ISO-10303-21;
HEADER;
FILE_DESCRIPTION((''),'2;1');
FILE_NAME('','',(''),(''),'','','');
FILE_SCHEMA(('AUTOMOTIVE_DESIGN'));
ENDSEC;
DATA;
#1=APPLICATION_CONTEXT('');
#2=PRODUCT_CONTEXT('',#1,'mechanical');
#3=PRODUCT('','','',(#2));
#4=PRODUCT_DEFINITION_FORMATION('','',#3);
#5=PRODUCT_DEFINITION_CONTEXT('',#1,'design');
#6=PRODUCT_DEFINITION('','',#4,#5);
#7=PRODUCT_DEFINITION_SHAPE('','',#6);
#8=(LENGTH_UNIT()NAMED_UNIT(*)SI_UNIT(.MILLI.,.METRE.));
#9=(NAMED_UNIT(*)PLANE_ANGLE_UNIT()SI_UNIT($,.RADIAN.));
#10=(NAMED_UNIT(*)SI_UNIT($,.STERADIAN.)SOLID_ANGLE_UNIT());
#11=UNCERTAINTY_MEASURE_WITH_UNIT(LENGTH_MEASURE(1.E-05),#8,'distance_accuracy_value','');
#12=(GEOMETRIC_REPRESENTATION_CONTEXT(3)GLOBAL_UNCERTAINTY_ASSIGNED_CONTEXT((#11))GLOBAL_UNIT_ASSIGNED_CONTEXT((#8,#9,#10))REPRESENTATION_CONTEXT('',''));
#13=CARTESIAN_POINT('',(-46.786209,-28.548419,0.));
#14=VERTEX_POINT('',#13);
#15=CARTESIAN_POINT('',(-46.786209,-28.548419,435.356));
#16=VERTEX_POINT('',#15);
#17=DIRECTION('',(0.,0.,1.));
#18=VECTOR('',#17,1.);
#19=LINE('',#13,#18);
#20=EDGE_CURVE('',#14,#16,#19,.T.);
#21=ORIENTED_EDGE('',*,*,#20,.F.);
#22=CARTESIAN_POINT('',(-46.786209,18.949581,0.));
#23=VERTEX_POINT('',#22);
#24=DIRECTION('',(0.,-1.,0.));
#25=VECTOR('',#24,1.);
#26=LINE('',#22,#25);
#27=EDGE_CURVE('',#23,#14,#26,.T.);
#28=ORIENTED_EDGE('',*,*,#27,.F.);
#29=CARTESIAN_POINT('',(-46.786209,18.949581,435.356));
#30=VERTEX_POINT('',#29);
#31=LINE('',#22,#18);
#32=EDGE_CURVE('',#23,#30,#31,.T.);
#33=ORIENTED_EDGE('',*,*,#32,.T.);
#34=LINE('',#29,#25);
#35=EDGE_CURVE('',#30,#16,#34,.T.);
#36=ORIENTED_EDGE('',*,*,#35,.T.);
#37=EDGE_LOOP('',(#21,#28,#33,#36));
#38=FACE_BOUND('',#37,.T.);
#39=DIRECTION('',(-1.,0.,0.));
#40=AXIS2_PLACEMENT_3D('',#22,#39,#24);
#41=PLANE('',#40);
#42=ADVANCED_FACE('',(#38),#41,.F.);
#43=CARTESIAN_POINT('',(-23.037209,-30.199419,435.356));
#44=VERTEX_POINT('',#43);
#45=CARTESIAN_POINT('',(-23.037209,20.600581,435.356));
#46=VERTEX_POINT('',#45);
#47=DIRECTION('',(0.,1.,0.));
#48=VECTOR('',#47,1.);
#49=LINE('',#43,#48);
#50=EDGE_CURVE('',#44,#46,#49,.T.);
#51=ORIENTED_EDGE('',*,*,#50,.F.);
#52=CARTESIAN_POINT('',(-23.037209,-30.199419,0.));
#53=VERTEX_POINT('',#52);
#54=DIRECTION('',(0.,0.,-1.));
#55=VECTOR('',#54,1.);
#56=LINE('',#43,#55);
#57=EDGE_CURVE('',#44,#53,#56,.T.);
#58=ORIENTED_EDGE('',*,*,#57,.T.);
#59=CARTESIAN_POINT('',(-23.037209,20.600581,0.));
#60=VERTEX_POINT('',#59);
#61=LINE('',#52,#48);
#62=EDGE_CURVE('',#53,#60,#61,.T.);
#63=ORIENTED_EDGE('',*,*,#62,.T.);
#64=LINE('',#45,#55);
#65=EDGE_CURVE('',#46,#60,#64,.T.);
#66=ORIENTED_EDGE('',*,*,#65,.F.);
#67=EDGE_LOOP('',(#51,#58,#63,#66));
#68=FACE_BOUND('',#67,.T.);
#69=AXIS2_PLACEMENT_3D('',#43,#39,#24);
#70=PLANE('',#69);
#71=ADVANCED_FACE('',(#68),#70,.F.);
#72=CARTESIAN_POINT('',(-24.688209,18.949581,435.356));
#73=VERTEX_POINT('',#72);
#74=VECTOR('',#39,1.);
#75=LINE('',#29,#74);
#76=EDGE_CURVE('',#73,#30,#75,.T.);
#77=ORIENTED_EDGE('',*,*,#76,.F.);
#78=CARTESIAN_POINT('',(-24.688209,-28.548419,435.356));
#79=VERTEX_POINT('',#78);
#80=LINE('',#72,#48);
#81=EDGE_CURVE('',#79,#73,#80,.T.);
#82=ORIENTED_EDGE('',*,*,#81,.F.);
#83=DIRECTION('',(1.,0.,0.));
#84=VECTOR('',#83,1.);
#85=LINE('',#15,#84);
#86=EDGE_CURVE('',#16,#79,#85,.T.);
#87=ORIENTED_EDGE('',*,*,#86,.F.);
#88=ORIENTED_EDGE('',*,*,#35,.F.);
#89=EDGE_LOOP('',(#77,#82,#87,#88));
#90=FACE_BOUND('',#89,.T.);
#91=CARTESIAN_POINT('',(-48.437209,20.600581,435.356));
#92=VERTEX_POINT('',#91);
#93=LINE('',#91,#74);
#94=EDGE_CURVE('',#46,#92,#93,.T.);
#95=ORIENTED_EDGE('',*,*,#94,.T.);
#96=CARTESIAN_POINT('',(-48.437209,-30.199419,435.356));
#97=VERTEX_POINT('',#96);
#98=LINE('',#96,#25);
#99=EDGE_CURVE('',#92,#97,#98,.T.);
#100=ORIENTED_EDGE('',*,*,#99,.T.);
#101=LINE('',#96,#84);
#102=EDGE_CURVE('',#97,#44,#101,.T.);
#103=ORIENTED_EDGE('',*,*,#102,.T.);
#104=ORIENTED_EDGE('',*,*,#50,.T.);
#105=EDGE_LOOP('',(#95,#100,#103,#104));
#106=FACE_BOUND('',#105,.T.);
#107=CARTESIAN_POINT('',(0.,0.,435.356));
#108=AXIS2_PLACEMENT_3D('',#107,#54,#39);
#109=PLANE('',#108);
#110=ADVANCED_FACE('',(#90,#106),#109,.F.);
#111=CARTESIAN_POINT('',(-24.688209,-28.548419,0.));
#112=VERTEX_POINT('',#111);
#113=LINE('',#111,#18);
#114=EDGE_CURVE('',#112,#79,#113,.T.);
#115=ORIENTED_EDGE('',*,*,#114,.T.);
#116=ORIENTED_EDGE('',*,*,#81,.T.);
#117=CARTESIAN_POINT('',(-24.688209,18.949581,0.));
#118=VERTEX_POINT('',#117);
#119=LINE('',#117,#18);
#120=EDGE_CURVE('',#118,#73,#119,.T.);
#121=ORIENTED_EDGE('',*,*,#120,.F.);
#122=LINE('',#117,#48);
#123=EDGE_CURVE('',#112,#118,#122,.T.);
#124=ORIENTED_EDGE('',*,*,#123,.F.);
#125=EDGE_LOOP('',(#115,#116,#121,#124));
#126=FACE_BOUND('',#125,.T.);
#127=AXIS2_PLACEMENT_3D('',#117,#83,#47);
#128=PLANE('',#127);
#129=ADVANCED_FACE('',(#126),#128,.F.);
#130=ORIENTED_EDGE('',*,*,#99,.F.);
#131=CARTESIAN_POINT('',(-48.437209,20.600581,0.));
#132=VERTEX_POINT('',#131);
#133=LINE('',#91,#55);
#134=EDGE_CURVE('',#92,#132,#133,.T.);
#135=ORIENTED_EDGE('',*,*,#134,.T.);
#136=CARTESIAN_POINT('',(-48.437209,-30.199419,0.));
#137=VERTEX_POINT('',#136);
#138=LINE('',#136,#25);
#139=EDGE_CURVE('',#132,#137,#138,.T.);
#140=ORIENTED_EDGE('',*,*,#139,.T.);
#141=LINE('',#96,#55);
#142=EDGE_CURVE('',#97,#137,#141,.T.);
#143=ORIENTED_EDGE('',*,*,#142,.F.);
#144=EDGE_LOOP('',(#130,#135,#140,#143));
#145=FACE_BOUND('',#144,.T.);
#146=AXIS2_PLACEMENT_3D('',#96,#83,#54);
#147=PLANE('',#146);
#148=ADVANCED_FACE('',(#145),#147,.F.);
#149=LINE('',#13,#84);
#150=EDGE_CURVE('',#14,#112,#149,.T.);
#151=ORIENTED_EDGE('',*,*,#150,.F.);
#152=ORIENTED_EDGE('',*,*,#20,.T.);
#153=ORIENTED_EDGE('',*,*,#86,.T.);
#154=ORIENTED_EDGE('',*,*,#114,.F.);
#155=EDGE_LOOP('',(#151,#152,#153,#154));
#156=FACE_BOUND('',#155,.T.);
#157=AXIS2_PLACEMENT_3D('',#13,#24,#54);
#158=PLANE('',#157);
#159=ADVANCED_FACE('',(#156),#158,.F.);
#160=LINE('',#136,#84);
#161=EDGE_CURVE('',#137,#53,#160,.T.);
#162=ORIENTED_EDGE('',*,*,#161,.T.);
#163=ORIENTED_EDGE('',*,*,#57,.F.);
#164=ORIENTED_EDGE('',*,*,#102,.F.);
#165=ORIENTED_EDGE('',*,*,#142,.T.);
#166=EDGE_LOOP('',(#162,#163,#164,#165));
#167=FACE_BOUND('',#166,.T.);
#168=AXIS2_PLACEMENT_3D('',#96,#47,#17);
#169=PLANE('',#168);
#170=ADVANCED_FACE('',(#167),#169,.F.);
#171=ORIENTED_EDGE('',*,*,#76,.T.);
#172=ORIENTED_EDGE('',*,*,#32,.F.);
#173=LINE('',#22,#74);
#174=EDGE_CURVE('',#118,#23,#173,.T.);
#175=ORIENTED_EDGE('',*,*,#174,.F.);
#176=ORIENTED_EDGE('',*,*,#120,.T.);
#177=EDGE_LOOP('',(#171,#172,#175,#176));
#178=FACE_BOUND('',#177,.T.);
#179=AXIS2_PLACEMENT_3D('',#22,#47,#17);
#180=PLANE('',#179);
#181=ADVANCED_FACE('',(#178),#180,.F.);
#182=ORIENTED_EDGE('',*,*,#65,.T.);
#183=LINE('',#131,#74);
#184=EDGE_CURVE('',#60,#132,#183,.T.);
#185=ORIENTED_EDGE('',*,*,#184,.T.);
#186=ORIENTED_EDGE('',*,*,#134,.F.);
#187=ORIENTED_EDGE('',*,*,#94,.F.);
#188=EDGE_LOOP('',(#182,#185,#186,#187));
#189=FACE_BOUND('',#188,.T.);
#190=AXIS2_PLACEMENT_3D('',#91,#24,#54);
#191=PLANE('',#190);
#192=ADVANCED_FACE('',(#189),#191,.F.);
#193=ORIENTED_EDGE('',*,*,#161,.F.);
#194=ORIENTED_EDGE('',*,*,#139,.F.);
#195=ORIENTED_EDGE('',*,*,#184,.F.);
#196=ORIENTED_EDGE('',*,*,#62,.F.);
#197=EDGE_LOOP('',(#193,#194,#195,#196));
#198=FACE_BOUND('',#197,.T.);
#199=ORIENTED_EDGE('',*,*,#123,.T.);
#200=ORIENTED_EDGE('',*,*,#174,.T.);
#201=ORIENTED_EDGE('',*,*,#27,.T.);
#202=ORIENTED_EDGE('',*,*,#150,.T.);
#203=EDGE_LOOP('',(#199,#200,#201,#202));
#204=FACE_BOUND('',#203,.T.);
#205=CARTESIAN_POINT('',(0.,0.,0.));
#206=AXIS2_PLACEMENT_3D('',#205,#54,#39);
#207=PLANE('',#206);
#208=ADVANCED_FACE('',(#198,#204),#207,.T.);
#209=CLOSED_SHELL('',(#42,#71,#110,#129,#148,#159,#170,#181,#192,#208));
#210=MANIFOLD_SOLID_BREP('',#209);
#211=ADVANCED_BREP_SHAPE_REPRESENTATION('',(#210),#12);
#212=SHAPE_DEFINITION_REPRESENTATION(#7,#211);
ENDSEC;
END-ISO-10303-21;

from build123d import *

# Parameters (mm, degrees)
SKETCH1_W           = 25.4
SKETCH1_H           = 50.8
BOSS_EXTRUDE1_DEPTH = 435.356
SKETCH2_W           = 22.098
SKETCH2_H           = 47.498
CUT_EXTRUDE1_DEPTH  = 440.082013825


with BuildPart() as part:
    # Sketch1 → Boss-Extrude1 (new body)
    with BuildSketch(Plane.XY):
        with Locations((-35.737209302, -4.799418605)):
            Rectangle(SKETCH1_W, SKETCH1_H)
    extrude(amount=BOSS_EXTRUDE1_DEPTH)

    # Sketch2 → Cut-Extrude1 (cut, through all)
    with BuildSketch(Plane.XY.offset(435.356)):
        with Locations((-35.737209302, -4.799418605)):
            Rectangle(SKETCH2_W, SKETCH2_H)
    extrude(amount=-CUT_EXTRUDE1_DEPTH, mode=Mode.SUBTRACT)


solid = part.part
